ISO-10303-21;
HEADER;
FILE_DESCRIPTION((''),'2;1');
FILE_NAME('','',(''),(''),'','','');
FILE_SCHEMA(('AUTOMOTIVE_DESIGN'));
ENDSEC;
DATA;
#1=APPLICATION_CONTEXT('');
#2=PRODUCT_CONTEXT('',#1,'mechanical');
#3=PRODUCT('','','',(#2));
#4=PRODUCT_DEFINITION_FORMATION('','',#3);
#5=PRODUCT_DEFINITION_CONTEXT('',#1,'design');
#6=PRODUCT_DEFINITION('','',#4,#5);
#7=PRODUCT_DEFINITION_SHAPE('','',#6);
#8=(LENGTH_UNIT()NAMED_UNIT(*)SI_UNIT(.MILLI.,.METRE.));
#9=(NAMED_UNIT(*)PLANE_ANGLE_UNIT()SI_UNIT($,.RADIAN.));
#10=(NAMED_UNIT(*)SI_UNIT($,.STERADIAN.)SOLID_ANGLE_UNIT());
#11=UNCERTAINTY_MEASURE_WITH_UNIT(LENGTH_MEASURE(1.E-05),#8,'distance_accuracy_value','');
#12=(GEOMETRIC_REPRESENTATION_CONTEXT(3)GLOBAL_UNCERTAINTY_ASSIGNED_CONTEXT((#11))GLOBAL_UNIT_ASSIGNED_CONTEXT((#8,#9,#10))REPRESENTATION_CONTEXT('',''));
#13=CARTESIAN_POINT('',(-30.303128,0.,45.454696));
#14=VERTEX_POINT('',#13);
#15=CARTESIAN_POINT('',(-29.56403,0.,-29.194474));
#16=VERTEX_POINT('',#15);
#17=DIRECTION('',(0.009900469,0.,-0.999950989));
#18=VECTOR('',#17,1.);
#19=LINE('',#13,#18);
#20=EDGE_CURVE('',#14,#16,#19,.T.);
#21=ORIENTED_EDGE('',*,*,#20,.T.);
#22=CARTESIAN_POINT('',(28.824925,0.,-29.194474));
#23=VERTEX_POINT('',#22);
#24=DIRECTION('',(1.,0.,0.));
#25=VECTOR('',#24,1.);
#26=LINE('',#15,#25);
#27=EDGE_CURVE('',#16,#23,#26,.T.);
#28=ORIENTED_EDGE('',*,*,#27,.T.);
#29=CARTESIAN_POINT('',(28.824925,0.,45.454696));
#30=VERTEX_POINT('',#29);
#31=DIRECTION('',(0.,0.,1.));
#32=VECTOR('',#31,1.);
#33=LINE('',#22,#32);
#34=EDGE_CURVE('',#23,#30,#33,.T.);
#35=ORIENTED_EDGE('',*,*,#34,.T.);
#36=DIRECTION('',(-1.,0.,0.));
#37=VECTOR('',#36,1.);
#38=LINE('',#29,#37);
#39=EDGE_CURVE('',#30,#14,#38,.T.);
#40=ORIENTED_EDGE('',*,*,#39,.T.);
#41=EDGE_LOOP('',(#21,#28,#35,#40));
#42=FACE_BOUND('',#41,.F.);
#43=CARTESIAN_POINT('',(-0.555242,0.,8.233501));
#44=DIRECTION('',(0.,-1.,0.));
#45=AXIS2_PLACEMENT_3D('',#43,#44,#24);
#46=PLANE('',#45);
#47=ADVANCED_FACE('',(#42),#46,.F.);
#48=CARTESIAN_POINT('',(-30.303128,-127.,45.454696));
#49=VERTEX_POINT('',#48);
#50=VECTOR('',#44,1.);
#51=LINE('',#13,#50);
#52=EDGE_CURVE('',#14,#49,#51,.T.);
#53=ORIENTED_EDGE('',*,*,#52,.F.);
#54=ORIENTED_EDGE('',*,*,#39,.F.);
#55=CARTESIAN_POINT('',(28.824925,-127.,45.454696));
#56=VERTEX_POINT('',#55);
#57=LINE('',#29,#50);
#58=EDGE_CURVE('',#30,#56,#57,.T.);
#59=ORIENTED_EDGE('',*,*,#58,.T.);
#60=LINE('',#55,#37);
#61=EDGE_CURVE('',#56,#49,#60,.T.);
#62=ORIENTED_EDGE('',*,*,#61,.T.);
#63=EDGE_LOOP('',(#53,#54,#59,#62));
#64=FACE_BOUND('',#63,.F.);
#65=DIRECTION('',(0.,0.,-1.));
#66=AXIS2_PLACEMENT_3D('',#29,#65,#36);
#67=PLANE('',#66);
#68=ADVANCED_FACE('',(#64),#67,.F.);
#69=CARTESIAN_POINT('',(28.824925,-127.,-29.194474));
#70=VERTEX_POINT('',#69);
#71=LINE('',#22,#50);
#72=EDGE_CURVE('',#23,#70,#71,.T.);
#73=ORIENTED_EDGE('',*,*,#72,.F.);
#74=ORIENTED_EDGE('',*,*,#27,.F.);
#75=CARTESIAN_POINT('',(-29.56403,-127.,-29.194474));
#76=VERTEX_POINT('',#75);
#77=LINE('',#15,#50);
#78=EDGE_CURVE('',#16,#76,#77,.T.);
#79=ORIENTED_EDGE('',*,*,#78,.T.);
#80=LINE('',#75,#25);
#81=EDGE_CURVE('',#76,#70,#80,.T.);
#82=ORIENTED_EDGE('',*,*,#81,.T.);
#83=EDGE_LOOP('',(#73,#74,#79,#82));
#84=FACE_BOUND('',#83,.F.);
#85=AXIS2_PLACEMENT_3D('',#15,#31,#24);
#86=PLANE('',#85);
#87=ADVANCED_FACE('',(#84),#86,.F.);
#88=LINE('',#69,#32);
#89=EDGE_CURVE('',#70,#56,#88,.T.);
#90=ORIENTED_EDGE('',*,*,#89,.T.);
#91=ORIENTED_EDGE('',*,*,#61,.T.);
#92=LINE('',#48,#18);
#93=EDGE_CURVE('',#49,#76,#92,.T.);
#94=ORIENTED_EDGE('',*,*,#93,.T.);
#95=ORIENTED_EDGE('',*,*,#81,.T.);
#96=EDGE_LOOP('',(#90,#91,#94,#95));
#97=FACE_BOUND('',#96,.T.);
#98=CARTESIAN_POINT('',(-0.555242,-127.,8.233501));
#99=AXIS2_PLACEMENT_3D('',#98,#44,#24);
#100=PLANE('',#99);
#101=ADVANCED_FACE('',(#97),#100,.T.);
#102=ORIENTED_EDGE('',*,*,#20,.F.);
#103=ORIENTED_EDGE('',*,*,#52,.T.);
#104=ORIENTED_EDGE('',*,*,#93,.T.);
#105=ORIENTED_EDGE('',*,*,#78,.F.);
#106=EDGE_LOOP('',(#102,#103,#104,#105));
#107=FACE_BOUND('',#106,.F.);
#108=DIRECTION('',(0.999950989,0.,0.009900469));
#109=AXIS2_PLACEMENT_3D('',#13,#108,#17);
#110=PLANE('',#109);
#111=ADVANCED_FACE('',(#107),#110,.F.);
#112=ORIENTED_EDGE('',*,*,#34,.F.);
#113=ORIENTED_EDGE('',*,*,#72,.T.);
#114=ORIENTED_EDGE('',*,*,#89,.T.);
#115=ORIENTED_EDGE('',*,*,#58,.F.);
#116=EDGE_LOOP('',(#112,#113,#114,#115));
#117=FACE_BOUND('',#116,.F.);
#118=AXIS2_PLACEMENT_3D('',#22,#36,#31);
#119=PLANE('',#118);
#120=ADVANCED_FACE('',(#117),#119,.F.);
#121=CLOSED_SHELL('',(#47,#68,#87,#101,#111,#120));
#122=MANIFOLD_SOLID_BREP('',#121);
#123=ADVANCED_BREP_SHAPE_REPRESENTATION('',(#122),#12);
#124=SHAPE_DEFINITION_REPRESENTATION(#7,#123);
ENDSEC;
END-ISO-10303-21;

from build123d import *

# Parameters (mm, degrees)
F1_DEPTH = 127
F2_R     = 17.441955
F3_DEPTH = 127.000004


with BuildPart() as f1:
    # F0 (on Front) → F1 (new body)
    with BuildSketch(Plane.XZ):
        Polygon((28.824925, 45.454696), (-30.303128, 45.454696), (-29.56403, -29.194474), (28.824925, -29.194474), align=None)
    extrude(amount=F1_DEPTH)

    # F2 (on face) → F3 (cut)
    with BuildSketch(Plane.XZ.offset(127)):
        Polygon((-30.303128, 45.454696), (-29.56403, -29.194474), (28.824925, -29.194474), (28.824925, 45.454696), align=None)
        Circle(F2_R, mode=Mode.SUBTRACT)
    extrude(amount=F3_DEPTH, mode=Mode.SUBTRACT)


solid = f1.part
